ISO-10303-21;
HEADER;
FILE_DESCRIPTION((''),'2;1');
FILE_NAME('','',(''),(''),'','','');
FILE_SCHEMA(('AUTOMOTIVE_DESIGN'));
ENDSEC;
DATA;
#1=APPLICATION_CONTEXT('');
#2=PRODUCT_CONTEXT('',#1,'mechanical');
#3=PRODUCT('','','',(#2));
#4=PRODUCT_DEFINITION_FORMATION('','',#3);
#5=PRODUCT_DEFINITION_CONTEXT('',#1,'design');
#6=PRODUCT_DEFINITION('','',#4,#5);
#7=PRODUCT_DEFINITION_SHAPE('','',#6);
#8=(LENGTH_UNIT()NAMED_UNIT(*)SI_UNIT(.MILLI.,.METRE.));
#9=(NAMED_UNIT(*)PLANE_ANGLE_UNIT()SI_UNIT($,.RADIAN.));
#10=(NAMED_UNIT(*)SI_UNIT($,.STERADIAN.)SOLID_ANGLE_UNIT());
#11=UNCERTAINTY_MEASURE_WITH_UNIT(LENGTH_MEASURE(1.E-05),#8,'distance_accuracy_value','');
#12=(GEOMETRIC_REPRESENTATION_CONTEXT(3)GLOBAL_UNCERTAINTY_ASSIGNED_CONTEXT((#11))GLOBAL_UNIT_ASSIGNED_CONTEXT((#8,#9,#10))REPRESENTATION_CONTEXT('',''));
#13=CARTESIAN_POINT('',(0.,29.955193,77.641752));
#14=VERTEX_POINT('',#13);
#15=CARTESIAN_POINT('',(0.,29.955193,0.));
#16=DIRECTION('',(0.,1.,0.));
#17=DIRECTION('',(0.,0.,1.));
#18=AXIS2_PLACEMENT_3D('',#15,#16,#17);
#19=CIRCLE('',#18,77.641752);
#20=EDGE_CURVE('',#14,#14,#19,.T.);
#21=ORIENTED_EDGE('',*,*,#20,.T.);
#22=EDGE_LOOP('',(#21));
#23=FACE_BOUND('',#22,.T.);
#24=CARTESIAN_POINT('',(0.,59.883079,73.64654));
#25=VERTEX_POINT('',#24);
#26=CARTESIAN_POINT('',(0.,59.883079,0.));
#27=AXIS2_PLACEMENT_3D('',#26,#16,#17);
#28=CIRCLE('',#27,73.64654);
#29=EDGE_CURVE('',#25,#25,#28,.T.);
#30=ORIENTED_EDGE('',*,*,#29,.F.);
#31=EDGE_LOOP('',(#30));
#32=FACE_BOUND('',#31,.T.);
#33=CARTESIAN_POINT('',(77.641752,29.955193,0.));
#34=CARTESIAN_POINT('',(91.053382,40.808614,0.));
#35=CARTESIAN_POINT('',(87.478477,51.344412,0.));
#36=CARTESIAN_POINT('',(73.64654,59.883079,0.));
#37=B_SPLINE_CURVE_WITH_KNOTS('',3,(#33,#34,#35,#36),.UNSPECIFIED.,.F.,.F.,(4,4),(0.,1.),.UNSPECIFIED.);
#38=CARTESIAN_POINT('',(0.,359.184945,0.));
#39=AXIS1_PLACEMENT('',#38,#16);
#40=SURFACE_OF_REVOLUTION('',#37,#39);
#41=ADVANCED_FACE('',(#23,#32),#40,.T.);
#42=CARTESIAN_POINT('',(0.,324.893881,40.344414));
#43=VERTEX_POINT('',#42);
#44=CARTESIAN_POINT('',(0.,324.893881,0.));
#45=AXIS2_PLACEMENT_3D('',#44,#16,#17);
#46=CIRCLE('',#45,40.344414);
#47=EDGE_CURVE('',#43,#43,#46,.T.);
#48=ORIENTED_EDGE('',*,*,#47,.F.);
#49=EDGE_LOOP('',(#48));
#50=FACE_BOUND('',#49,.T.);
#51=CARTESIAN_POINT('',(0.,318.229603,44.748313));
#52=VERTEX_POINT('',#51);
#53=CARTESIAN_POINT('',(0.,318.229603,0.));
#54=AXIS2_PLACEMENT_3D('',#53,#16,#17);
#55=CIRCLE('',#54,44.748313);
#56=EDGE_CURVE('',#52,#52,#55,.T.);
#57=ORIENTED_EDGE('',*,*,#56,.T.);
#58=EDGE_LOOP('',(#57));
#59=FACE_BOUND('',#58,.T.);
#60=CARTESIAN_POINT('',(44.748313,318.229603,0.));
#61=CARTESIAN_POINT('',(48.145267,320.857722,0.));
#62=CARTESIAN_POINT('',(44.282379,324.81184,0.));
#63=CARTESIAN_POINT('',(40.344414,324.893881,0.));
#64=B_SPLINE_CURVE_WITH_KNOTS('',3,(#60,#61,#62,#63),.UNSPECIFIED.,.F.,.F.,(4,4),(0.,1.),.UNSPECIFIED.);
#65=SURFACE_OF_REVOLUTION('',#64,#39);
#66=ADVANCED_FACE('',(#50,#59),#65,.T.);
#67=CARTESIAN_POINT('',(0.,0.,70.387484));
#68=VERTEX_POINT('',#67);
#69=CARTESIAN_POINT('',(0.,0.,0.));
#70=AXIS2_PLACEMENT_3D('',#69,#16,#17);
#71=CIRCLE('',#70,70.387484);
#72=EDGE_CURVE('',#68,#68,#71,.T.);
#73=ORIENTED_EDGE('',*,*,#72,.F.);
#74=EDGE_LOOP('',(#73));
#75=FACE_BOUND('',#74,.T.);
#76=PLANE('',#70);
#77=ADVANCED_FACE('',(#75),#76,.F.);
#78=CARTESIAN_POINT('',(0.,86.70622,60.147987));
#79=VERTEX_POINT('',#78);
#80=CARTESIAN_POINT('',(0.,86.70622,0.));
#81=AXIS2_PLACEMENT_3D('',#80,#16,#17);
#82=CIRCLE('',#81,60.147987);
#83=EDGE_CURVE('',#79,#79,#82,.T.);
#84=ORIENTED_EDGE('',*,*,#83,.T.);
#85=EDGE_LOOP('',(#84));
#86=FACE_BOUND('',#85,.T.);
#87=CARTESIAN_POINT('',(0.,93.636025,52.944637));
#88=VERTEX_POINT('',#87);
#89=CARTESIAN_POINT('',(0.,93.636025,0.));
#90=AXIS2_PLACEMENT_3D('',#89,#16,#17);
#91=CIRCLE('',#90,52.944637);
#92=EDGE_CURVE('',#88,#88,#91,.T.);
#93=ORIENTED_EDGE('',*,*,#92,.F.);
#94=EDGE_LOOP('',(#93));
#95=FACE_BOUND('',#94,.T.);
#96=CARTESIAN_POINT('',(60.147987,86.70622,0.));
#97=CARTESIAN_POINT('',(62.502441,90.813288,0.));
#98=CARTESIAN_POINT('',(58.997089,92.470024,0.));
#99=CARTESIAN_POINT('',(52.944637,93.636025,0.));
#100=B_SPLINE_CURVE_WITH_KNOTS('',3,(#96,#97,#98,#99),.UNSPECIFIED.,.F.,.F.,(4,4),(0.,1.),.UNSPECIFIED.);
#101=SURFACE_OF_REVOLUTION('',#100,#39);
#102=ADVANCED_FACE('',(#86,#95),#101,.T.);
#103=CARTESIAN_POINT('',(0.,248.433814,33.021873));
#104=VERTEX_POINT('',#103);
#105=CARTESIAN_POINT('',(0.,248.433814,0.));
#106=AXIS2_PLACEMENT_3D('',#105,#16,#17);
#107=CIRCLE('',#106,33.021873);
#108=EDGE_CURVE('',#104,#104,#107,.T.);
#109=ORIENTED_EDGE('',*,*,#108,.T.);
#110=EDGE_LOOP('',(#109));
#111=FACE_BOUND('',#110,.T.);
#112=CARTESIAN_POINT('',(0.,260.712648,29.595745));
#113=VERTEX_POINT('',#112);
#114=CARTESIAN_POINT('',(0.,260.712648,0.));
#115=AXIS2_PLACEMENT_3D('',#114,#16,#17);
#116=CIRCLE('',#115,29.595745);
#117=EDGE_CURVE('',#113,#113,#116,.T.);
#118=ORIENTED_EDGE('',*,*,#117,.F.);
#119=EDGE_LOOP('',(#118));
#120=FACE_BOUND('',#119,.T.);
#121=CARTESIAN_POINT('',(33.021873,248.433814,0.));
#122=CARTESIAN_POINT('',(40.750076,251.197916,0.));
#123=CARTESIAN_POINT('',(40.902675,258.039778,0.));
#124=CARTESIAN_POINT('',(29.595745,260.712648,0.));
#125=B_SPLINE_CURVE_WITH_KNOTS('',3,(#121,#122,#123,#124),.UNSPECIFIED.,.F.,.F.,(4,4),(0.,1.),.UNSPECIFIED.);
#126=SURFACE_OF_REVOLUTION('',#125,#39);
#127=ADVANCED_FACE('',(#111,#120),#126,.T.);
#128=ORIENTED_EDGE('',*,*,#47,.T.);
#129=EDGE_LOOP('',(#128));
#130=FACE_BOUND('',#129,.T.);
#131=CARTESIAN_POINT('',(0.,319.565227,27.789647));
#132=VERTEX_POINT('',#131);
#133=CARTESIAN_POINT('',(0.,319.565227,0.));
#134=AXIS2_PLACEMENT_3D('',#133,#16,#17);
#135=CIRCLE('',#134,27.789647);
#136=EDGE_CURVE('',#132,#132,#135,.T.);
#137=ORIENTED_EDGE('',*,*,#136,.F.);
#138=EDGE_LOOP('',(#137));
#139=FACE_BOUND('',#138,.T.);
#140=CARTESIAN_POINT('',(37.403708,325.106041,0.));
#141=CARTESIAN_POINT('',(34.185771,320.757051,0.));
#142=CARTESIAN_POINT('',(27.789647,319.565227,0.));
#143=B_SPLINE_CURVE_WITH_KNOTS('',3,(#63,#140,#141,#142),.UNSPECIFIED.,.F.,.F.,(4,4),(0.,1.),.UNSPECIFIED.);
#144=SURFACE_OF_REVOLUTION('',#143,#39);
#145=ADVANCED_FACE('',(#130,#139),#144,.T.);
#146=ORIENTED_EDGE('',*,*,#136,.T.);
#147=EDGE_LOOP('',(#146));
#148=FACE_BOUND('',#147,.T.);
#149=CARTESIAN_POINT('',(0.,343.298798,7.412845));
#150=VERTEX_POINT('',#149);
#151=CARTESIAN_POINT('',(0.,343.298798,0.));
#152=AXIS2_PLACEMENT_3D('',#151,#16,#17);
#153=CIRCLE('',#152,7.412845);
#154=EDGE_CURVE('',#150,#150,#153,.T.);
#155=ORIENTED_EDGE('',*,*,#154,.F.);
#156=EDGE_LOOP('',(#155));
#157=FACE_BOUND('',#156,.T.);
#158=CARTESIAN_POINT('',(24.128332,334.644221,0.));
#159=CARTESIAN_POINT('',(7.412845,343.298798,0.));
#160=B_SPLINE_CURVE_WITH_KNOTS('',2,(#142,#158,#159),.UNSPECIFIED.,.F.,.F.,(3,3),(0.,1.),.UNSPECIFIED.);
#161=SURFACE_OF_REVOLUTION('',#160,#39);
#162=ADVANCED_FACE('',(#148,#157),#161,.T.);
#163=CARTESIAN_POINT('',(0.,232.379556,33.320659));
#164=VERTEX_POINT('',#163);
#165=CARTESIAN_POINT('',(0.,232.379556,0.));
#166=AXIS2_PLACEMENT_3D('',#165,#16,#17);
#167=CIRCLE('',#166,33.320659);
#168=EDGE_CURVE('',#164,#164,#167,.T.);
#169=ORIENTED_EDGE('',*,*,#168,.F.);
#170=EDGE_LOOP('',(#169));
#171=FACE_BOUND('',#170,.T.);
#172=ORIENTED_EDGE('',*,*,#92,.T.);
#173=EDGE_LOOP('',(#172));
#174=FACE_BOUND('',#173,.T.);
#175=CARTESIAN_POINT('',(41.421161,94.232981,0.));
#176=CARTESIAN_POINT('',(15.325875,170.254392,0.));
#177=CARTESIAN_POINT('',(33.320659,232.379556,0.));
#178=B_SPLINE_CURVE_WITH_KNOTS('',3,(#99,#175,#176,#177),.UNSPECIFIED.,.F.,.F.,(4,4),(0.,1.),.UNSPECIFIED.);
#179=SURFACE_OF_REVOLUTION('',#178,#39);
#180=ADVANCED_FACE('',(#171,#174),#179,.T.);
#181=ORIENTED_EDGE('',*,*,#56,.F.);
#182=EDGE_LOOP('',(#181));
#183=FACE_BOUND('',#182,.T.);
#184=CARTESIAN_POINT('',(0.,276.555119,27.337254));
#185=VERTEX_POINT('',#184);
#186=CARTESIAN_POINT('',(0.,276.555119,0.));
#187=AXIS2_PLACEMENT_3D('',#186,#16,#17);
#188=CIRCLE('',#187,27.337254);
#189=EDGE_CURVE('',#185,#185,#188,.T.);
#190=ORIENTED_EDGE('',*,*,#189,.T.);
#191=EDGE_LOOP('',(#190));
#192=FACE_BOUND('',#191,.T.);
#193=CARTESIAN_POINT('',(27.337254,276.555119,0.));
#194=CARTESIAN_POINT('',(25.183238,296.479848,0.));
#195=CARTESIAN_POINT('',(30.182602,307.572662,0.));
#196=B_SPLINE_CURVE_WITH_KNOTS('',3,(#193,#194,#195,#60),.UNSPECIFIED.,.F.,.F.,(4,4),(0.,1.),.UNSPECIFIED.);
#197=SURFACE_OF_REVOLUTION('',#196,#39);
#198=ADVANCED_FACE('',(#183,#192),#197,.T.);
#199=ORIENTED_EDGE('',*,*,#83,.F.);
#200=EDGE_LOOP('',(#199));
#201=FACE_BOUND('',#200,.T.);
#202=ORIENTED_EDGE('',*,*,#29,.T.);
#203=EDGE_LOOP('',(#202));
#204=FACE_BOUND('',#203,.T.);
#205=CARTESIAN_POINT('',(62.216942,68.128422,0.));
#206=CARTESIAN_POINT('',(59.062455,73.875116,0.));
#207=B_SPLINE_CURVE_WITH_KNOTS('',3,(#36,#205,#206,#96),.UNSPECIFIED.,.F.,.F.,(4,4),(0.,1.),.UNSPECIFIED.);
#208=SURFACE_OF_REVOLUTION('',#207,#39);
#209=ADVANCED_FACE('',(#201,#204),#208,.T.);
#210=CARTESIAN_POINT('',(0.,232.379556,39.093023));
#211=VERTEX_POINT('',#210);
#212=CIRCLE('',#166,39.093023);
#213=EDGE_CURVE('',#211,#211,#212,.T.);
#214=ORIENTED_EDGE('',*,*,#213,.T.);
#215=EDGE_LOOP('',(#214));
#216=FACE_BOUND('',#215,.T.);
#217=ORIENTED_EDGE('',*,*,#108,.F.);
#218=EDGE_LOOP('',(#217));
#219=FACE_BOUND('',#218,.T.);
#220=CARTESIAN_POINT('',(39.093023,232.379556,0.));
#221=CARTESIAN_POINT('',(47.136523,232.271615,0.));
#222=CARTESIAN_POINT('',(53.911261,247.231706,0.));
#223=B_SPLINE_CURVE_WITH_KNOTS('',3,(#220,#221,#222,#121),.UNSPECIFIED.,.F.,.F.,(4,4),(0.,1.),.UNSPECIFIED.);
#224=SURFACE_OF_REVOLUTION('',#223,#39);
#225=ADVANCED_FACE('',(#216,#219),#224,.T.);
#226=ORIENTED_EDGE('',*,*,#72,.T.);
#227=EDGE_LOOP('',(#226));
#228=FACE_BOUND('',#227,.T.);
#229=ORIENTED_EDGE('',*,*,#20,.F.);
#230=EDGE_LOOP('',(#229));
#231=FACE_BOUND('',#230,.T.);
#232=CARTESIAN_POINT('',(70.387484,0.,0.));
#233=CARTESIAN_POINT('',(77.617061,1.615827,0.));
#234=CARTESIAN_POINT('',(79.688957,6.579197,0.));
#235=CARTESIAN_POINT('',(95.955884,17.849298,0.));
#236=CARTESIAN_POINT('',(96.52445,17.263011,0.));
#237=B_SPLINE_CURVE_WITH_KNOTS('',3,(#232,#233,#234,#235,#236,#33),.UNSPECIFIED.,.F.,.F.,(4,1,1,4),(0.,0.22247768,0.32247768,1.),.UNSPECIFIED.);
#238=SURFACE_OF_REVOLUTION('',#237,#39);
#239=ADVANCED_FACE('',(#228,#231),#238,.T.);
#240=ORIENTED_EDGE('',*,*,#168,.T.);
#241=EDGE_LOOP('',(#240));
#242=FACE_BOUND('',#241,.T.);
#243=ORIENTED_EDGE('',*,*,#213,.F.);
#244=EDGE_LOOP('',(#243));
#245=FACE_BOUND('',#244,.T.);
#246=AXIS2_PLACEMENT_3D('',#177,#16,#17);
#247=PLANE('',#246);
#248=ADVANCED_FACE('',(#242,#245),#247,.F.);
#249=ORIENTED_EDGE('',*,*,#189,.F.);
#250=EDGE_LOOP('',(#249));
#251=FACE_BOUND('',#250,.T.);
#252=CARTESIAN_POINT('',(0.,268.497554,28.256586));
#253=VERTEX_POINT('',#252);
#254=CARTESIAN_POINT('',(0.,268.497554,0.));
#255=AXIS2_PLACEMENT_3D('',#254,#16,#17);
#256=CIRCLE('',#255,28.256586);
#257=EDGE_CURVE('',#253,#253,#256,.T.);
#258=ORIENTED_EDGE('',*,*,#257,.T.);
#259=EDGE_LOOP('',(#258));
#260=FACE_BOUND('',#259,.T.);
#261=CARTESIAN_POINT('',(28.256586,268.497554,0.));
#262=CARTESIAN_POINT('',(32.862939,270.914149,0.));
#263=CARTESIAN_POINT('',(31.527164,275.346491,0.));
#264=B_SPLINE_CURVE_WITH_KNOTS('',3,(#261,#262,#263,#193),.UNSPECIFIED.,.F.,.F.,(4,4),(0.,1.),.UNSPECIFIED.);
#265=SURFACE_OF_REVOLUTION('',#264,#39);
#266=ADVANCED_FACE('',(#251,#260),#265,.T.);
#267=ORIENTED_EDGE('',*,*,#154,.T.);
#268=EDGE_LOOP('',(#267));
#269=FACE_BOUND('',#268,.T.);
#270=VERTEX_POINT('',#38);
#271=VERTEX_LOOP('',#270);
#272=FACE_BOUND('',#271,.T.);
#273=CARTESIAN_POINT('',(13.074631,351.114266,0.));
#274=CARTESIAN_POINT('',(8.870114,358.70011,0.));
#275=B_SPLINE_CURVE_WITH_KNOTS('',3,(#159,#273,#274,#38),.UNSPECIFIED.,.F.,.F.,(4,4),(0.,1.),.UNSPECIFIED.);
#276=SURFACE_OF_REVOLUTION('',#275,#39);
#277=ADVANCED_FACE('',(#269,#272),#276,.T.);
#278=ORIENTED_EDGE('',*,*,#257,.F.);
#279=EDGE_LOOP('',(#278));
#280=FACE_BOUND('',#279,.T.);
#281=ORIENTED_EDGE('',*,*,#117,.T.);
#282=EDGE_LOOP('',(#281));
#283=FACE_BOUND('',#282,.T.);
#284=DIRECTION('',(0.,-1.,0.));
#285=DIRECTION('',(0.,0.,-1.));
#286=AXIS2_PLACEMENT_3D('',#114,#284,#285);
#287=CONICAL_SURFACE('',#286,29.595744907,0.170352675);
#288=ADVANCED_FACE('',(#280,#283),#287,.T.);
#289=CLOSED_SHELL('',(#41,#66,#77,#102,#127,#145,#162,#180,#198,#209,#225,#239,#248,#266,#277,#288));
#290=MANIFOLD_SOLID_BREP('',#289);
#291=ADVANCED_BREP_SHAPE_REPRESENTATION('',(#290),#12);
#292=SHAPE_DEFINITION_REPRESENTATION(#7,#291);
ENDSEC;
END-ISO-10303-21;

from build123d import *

# Parameters (mm, degrees)
SCALE1_SCALE = 0.5


with BuildPart() as part:
    # Sketch1 → Revolve1 (revolve)
    with BuildSketch(Plane.XY, mode=Mode.PRIVATE) as revolve1_sk:
        with BuildLine():
            Line((0, 0), (140.774968358, 0))
            add(Edge.make_bspline(
                [(140.774968358, 0), (155.234122408, 3.231654353), (159.377913863, 13.158393745), (191.911767627, 35.698596386), (193.048899491, 34.526021511), (155.283504354, 59.910385095)],
                knots=[0, 0, 0, 0, 0.22247768, 0.32247768, 1, 1, 1, 1], degree=3))
            add(Edge.make_bspline(
                [(155.283504354, 59.910385095), (182.106764993, 81.617228835), (174.956954962, 102.688823354), (147.29307916, 119.766158716)],
                knots=[0, 0, 0, 0, 1, 1, 1, 1], degree=3))
            add(Edge.make_bspline(
                [(147.29307916, 119.766158716), (124.433884012, 136.256844929), (118.124910662, 147.750231163), (120.295974312, 173.412440284)],
                knots=[0, 0, 0, 0, 1, 1, 1, 1], degree=3))
            add(Edge.make_bspline(
                [(120.295974312, 173.412440284), (125.004881342, 181.626575868), (117.994177575, 184.940048835), (105.889274464, 187.272050264)],
                knots=[0, 0, 0, 0, 1, 1, 1, 1], degree=3))
            add(Edge.make_bspline(
                [(66.641318891, 464.759111319), (30.651749093, 340.508784271), (82.842322366, 188.46596197), (105.889274464, 187.272050264)],
                knots=[0, 0, 0, 0, 1, 1, 1, 1], degree=3))
            Line((66.641318891, 464.759111319), (78.18604581, 464.759111319))
            add(Edge.make_bspline(
                [(78.18604581, 464.759111319), (94.273045171, 464.543230059), (107.822521829, 494.463412066), (66.043746092, 496.867628316)],
                knots=[0, 0, 0, 0, 1, 1, 1, 1], degree=3))
            add(Edge.make_bspline(
                [(66.043746092, 496.867628316), (81.500151243, 502.395831618), (81.80535012, 516.079555261), (59.191489814, 521.425295914)],
                knots=[0, 0, 0, 0, 1, 1, 1, 1], degree=3))
            Line((59.191489814, 521.425295914), (56.513172204, 536.995107568))
            add(Edge.make_bspline(
                [(56.513172204, 536.995107568), (65.725878486, 541.828298811), (63.054327938, 550.692982201), (54.674508381, 553.110237843)],
                knots=[0, 0, 0, 0, 1, 1, 1, 1], degree=3))
            add(Edge.make_bspline(
                [(54.674508381, 553.110237843), (50.366476624, 592.959696224), (60.365203866, 615.145323799), (89.496625618, 636.459206946)],
                knots=[0, 0, 0, 0, 1, 1, 1, 1], degree=3))
            add(Edge.make_bspline(
                [(89.496625618, 636.459206946), (96.290534049, 641.715443957), (88.56475714, 649.623679939), (80.688827032, 649.787761816)],
                knots=[0, 0, 0, 0, 1, 1, 1, 1], degree=3))
            add(Edge.make_bspline(
                [(80.688827032, 649.787761816), (74.807415588, 650.21208279), (68.37154299, 641.514102672), (55.579293319, 639.130453665)],
                knots=[0, 0, 0, 0, 1, 1, 1, 1], degree=3))
            add(Edge.make_bspline(
                [(55.579293319, 639.130453665), (48.256663859, 669.288442413), (14.825689712, 686.597595329)],
                knots=[0, 0, 0, 1, 1, 1], degree=2))
            add(Edge.make_bspline(
                [(14.825689712, 686.597595329), (26.149261957, 702.228532085), (17.740227393, 717.400219489), (0, 718.369889382)],
                knots=[0, 0, 0, 0, 1, 1, 1, 1], degree=3))
            Line((0, 718.369889382), (0, 0))
        make_face()
    revolve(revolve1_sk.sketch.rotate(Axis((0, 718.369889382, 0), (0, -1, 0)), 90), axis=Axis((0, 718.369889382, 0), (0, -1, 0)))


with BuildPart() as part_1:
    # Scale1: scaled about (0, 0, 0)
    add(part.part.scale(SCALE1_SCALE))


solid = part_1.part
